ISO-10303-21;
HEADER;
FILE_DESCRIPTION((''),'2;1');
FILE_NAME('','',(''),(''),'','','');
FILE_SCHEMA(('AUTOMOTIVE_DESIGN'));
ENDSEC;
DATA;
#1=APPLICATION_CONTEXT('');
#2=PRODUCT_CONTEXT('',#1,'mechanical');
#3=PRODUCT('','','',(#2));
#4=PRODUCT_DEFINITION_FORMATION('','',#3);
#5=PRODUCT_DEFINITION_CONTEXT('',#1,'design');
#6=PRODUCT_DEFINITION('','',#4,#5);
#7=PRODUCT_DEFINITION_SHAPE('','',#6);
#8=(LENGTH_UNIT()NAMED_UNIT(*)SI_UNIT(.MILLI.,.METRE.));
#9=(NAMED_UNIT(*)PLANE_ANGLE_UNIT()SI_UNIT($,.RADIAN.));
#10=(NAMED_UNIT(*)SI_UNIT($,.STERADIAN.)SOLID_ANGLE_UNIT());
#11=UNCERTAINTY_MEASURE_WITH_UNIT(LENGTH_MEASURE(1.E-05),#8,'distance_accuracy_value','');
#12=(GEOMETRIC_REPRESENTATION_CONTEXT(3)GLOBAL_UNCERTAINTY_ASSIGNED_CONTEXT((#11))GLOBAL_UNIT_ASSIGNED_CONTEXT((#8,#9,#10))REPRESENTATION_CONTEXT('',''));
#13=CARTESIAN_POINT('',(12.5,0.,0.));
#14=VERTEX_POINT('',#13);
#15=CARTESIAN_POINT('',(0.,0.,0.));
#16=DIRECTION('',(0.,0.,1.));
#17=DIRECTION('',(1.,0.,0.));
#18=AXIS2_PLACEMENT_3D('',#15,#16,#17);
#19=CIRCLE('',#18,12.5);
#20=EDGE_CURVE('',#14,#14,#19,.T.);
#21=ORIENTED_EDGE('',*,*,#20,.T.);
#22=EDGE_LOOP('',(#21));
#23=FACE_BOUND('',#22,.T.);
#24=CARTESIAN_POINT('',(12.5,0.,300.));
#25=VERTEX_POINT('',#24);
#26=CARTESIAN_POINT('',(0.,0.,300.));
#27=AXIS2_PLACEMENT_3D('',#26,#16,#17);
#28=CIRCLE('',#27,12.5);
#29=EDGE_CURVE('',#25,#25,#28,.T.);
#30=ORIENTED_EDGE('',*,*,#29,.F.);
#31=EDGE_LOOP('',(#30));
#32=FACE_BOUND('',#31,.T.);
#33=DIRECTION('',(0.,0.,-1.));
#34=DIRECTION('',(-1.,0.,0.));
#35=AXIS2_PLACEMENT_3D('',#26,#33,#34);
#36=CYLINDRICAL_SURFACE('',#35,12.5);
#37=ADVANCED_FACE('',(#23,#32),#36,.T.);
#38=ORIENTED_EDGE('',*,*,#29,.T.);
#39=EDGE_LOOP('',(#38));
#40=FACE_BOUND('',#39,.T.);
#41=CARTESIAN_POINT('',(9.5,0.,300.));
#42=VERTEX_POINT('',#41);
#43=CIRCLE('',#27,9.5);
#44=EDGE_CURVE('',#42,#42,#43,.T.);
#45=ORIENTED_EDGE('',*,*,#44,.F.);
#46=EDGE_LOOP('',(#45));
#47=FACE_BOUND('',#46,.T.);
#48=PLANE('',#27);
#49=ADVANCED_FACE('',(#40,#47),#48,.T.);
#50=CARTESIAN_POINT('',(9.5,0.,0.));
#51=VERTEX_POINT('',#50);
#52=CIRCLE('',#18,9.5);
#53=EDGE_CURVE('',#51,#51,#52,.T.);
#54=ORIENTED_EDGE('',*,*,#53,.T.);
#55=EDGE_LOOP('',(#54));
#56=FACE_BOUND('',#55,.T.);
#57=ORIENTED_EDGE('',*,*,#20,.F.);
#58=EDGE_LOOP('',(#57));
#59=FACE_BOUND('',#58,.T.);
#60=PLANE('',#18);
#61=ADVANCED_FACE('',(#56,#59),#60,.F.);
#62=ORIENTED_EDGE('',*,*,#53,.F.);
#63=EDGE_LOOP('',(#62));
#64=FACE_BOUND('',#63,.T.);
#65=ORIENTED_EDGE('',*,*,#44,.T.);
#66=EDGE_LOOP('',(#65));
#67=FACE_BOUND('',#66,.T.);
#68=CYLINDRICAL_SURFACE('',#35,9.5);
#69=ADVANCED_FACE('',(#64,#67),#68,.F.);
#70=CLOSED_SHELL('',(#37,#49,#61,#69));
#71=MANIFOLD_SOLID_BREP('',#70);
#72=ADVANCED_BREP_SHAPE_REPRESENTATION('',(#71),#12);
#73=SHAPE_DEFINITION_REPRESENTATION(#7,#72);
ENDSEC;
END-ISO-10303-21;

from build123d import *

# Parameters (mm, degrees)
ESQUISSE1_R        = 12.5
ESQUISSE1_R_2      = 9.5
BOSS_EXTRU_2_DEPTH = 300


with BuildPart() as part:
    # Esquisse1 → Boss.-Extru.2 (new body)
    with BuildSketch(Plane.XY):
        Circle(ESQUISSE1_R)
        Circle(ESQUISSE1_R_2, mode=Mode.SUBTRACT)
    extrude(amount=BOSS_EXTRU_2_DEPTH)


solid = part.part
